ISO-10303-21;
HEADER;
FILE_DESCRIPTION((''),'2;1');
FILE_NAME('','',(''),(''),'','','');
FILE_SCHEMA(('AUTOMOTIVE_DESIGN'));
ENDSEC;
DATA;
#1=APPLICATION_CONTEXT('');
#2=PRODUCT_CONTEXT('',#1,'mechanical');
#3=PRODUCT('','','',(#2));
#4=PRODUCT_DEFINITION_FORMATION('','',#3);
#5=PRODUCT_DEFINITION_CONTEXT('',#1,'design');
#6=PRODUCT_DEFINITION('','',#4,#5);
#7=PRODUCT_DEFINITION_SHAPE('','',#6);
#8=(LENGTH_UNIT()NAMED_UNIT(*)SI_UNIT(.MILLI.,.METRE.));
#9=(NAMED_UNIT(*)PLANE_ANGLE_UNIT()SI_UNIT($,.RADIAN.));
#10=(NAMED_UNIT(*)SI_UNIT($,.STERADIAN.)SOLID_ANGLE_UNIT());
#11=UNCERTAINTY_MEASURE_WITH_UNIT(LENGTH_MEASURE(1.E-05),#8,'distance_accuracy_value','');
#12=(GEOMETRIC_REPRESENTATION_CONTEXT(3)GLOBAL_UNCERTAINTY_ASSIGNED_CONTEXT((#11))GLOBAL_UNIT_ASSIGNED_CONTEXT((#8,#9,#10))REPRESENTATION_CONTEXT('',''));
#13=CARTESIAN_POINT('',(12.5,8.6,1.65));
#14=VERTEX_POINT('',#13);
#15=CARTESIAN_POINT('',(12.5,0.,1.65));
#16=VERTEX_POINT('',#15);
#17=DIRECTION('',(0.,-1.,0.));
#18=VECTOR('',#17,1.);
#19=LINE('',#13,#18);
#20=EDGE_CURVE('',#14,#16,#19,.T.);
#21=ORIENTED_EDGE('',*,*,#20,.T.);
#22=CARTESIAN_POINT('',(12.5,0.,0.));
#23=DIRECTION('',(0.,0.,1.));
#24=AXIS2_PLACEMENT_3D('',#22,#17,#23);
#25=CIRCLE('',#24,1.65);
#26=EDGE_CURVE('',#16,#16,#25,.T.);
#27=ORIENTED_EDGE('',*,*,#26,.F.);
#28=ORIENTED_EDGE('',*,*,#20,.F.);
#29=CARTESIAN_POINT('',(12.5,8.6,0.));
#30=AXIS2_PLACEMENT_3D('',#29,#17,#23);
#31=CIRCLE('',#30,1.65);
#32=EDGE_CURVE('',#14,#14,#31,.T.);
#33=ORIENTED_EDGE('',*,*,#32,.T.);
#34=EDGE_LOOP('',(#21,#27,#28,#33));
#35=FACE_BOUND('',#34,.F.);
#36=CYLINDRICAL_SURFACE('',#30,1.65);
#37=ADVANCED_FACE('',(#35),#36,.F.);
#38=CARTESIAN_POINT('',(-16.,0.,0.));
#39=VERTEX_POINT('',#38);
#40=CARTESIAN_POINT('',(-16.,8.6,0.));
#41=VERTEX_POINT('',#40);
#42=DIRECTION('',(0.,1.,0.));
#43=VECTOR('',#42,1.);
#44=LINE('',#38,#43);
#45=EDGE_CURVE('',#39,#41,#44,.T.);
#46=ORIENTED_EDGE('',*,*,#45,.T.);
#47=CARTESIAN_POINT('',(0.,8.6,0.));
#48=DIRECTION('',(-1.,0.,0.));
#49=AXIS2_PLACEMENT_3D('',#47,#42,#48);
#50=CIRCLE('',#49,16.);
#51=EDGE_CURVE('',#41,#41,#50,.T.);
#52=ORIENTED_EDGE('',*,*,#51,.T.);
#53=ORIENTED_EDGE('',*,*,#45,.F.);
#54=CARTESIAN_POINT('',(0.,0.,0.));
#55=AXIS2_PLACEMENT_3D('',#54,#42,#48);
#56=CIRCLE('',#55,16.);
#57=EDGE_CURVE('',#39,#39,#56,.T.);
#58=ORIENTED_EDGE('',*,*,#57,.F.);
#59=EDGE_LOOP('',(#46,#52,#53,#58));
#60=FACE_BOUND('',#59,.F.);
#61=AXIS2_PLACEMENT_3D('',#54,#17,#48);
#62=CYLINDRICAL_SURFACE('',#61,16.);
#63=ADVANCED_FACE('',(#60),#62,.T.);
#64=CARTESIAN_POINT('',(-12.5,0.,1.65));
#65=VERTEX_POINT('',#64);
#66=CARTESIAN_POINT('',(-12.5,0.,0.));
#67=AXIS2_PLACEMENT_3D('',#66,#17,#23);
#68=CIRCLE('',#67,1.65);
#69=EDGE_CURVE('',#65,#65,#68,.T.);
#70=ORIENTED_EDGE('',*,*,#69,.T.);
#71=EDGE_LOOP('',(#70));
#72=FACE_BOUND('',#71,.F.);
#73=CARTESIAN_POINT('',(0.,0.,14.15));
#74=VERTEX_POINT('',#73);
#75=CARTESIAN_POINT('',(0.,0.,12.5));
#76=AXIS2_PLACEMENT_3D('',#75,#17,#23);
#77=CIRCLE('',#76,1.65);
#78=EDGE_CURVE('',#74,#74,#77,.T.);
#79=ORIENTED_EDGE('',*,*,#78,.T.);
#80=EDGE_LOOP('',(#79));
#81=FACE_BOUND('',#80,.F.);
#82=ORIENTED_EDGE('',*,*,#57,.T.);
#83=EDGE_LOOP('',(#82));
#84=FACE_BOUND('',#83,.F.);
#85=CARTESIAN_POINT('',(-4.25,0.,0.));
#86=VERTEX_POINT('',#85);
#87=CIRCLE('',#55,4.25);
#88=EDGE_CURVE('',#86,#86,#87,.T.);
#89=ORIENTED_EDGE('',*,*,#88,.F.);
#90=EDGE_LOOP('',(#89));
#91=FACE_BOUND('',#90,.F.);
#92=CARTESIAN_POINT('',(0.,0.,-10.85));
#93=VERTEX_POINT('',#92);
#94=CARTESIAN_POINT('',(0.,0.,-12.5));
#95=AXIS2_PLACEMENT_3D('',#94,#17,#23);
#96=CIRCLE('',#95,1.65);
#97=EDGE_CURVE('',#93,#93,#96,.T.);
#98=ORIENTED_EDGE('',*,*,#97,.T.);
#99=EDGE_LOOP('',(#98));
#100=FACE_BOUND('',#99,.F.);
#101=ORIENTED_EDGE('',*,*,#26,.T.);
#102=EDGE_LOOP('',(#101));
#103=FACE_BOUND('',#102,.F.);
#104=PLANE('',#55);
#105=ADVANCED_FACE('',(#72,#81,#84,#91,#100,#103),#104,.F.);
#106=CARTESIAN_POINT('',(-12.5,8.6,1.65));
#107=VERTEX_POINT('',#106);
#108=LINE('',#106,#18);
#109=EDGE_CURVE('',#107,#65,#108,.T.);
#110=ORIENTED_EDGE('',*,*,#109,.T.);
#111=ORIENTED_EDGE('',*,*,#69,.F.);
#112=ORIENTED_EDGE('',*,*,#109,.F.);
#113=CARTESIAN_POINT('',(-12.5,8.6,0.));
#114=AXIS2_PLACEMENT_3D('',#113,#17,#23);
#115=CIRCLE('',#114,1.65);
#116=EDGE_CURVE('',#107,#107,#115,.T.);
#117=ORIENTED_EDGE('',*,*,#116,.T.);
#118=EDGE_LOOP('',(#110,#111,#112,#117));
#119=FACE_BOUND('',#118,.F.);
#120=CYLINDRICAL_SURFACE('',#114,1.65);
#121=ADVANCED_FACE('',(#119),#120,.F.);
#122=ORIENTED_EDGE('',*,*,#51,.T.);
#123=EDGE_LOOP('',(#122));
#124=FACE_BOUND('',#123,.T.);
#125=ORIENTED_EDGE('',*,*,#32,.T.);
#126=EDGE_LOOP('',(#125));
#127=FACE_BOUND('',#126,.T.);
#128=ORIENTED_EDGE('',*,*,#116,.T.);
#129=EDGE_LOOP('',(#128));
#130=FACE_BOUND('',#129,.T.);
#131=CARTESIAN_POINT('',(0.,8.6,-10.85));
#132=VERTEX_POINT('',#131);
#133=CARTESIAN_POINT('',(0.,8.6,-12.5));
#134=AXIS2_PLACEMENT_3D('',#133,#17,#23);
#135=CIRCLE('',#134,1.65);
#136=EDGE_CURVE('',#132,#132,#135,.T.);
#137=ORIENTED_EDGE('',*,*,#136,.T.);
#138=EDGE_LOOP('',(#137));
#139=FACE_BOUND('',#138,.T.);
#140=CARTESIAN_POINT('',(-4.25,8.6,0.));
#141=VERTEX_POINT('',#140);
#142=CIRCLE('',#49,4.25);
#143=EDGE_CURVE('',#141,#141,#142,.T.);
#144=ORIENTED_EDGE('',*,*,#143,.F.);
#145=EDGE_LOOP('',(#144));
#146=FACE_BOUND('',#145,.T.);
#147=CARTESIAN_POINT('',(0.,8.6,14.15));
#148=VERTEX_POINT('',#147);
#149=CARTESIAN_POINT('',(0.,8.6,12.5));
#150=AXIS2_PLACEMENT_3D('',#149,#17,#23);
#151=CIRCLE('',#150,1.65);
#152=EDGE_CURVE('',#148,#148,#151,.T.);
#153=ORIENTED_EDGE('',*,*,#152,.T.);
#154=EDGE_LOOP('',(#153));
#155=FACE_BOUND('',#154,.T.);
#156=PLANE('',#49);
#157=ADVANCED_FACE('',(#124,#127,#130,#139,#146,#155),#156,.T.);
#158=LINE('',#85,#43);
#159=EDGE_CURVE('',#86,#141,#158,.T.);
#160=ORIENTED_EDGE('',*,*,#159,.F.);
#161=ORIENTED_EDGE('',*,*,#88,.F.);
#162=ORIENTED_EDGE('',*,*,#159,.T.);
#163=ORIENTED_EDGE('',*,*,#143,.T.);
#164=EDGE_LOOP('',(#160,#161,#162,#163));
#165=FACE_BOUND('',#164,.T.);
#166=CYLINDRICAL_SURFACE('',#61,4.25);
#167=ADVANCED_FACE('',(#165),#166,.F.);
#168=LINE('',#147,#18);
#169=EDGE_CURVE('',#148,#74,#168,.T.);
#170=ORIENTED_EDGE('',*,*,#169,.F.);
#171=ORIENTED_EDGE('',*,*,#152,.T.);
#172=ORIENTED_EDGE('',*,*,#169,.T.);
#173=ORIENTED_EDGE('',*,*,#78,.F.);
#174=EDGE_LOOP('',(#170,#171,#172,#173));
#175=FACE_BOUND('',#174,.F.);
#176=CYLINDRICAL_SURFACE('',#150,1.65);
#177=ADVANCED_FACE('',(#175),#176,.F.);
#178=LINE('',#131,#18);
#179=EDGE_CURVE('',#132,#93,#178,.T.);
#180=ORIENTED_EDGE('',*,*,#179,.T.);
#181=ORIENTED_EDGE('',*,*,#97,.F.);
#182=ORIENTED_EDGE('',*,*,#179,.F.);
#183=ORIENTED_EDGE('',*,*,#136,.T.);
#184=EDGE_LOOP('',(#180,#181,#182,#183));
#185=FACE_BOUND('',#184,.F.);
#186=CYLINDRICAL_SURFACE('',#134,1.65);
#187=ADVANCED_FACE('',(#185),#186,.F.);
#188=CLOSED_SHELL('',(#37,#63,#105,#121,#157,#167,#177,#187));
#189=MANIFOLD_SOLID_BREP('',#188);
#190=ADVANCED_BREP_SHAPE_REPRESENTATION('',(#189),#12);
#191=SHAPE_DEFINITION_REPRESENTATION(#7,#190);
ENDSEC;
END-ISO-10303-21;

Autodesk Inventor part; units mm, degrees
ref_plane "YZ Plane" through (0, 0, 0) normal (1, 0, 0) x (0, 1, 0)
ref_plane "XZ Plane" through (0, 0, 0) normal (0, 1, 0) x (-1, 0, 0)
ref_plane "XY Plane" through (0, 0, 0) normal (0, 0, 1) x (1, 0, 0)
sketch "スケッチ1" plane through (0, 0, 0) normal (0, 1, 0) x (-1, 0, 0)
  circle A0 centre (0, 0) radius 4.25
  circle A1 centre (0, 0) radius 16
  dimension "d0" = 8.5
  dimension "d1" = 32
extrude "押し出し1" add sketch "スケッチ1" along normal blind 8.6
sketch "スケッチ2" plane through (0, 8.6, 0) normal (0, 1, 0) x (1, 0, 0)
  circle A0 centre (0, 0) radius 4.25 construction
  circle A1 centre (0, 0) radius 12.5 construction
  point P0 (-12.5, 0)
  point P1 (0, -12.5)
  point P2 (12.5, 0)
  point P3 (0, 12.5)
  dimension "d4" = 25
  dimension "d7" = 360
hole "穴1" at (-12.5, 8.6, 0) at (0, 8.6, 12.5) at (12.5, 8.6, 0) at (0, 8.6, -12.5) direction (0, -1, 0) diameter 3.3 end through all
properties part number "elbow_pully_spacer"
